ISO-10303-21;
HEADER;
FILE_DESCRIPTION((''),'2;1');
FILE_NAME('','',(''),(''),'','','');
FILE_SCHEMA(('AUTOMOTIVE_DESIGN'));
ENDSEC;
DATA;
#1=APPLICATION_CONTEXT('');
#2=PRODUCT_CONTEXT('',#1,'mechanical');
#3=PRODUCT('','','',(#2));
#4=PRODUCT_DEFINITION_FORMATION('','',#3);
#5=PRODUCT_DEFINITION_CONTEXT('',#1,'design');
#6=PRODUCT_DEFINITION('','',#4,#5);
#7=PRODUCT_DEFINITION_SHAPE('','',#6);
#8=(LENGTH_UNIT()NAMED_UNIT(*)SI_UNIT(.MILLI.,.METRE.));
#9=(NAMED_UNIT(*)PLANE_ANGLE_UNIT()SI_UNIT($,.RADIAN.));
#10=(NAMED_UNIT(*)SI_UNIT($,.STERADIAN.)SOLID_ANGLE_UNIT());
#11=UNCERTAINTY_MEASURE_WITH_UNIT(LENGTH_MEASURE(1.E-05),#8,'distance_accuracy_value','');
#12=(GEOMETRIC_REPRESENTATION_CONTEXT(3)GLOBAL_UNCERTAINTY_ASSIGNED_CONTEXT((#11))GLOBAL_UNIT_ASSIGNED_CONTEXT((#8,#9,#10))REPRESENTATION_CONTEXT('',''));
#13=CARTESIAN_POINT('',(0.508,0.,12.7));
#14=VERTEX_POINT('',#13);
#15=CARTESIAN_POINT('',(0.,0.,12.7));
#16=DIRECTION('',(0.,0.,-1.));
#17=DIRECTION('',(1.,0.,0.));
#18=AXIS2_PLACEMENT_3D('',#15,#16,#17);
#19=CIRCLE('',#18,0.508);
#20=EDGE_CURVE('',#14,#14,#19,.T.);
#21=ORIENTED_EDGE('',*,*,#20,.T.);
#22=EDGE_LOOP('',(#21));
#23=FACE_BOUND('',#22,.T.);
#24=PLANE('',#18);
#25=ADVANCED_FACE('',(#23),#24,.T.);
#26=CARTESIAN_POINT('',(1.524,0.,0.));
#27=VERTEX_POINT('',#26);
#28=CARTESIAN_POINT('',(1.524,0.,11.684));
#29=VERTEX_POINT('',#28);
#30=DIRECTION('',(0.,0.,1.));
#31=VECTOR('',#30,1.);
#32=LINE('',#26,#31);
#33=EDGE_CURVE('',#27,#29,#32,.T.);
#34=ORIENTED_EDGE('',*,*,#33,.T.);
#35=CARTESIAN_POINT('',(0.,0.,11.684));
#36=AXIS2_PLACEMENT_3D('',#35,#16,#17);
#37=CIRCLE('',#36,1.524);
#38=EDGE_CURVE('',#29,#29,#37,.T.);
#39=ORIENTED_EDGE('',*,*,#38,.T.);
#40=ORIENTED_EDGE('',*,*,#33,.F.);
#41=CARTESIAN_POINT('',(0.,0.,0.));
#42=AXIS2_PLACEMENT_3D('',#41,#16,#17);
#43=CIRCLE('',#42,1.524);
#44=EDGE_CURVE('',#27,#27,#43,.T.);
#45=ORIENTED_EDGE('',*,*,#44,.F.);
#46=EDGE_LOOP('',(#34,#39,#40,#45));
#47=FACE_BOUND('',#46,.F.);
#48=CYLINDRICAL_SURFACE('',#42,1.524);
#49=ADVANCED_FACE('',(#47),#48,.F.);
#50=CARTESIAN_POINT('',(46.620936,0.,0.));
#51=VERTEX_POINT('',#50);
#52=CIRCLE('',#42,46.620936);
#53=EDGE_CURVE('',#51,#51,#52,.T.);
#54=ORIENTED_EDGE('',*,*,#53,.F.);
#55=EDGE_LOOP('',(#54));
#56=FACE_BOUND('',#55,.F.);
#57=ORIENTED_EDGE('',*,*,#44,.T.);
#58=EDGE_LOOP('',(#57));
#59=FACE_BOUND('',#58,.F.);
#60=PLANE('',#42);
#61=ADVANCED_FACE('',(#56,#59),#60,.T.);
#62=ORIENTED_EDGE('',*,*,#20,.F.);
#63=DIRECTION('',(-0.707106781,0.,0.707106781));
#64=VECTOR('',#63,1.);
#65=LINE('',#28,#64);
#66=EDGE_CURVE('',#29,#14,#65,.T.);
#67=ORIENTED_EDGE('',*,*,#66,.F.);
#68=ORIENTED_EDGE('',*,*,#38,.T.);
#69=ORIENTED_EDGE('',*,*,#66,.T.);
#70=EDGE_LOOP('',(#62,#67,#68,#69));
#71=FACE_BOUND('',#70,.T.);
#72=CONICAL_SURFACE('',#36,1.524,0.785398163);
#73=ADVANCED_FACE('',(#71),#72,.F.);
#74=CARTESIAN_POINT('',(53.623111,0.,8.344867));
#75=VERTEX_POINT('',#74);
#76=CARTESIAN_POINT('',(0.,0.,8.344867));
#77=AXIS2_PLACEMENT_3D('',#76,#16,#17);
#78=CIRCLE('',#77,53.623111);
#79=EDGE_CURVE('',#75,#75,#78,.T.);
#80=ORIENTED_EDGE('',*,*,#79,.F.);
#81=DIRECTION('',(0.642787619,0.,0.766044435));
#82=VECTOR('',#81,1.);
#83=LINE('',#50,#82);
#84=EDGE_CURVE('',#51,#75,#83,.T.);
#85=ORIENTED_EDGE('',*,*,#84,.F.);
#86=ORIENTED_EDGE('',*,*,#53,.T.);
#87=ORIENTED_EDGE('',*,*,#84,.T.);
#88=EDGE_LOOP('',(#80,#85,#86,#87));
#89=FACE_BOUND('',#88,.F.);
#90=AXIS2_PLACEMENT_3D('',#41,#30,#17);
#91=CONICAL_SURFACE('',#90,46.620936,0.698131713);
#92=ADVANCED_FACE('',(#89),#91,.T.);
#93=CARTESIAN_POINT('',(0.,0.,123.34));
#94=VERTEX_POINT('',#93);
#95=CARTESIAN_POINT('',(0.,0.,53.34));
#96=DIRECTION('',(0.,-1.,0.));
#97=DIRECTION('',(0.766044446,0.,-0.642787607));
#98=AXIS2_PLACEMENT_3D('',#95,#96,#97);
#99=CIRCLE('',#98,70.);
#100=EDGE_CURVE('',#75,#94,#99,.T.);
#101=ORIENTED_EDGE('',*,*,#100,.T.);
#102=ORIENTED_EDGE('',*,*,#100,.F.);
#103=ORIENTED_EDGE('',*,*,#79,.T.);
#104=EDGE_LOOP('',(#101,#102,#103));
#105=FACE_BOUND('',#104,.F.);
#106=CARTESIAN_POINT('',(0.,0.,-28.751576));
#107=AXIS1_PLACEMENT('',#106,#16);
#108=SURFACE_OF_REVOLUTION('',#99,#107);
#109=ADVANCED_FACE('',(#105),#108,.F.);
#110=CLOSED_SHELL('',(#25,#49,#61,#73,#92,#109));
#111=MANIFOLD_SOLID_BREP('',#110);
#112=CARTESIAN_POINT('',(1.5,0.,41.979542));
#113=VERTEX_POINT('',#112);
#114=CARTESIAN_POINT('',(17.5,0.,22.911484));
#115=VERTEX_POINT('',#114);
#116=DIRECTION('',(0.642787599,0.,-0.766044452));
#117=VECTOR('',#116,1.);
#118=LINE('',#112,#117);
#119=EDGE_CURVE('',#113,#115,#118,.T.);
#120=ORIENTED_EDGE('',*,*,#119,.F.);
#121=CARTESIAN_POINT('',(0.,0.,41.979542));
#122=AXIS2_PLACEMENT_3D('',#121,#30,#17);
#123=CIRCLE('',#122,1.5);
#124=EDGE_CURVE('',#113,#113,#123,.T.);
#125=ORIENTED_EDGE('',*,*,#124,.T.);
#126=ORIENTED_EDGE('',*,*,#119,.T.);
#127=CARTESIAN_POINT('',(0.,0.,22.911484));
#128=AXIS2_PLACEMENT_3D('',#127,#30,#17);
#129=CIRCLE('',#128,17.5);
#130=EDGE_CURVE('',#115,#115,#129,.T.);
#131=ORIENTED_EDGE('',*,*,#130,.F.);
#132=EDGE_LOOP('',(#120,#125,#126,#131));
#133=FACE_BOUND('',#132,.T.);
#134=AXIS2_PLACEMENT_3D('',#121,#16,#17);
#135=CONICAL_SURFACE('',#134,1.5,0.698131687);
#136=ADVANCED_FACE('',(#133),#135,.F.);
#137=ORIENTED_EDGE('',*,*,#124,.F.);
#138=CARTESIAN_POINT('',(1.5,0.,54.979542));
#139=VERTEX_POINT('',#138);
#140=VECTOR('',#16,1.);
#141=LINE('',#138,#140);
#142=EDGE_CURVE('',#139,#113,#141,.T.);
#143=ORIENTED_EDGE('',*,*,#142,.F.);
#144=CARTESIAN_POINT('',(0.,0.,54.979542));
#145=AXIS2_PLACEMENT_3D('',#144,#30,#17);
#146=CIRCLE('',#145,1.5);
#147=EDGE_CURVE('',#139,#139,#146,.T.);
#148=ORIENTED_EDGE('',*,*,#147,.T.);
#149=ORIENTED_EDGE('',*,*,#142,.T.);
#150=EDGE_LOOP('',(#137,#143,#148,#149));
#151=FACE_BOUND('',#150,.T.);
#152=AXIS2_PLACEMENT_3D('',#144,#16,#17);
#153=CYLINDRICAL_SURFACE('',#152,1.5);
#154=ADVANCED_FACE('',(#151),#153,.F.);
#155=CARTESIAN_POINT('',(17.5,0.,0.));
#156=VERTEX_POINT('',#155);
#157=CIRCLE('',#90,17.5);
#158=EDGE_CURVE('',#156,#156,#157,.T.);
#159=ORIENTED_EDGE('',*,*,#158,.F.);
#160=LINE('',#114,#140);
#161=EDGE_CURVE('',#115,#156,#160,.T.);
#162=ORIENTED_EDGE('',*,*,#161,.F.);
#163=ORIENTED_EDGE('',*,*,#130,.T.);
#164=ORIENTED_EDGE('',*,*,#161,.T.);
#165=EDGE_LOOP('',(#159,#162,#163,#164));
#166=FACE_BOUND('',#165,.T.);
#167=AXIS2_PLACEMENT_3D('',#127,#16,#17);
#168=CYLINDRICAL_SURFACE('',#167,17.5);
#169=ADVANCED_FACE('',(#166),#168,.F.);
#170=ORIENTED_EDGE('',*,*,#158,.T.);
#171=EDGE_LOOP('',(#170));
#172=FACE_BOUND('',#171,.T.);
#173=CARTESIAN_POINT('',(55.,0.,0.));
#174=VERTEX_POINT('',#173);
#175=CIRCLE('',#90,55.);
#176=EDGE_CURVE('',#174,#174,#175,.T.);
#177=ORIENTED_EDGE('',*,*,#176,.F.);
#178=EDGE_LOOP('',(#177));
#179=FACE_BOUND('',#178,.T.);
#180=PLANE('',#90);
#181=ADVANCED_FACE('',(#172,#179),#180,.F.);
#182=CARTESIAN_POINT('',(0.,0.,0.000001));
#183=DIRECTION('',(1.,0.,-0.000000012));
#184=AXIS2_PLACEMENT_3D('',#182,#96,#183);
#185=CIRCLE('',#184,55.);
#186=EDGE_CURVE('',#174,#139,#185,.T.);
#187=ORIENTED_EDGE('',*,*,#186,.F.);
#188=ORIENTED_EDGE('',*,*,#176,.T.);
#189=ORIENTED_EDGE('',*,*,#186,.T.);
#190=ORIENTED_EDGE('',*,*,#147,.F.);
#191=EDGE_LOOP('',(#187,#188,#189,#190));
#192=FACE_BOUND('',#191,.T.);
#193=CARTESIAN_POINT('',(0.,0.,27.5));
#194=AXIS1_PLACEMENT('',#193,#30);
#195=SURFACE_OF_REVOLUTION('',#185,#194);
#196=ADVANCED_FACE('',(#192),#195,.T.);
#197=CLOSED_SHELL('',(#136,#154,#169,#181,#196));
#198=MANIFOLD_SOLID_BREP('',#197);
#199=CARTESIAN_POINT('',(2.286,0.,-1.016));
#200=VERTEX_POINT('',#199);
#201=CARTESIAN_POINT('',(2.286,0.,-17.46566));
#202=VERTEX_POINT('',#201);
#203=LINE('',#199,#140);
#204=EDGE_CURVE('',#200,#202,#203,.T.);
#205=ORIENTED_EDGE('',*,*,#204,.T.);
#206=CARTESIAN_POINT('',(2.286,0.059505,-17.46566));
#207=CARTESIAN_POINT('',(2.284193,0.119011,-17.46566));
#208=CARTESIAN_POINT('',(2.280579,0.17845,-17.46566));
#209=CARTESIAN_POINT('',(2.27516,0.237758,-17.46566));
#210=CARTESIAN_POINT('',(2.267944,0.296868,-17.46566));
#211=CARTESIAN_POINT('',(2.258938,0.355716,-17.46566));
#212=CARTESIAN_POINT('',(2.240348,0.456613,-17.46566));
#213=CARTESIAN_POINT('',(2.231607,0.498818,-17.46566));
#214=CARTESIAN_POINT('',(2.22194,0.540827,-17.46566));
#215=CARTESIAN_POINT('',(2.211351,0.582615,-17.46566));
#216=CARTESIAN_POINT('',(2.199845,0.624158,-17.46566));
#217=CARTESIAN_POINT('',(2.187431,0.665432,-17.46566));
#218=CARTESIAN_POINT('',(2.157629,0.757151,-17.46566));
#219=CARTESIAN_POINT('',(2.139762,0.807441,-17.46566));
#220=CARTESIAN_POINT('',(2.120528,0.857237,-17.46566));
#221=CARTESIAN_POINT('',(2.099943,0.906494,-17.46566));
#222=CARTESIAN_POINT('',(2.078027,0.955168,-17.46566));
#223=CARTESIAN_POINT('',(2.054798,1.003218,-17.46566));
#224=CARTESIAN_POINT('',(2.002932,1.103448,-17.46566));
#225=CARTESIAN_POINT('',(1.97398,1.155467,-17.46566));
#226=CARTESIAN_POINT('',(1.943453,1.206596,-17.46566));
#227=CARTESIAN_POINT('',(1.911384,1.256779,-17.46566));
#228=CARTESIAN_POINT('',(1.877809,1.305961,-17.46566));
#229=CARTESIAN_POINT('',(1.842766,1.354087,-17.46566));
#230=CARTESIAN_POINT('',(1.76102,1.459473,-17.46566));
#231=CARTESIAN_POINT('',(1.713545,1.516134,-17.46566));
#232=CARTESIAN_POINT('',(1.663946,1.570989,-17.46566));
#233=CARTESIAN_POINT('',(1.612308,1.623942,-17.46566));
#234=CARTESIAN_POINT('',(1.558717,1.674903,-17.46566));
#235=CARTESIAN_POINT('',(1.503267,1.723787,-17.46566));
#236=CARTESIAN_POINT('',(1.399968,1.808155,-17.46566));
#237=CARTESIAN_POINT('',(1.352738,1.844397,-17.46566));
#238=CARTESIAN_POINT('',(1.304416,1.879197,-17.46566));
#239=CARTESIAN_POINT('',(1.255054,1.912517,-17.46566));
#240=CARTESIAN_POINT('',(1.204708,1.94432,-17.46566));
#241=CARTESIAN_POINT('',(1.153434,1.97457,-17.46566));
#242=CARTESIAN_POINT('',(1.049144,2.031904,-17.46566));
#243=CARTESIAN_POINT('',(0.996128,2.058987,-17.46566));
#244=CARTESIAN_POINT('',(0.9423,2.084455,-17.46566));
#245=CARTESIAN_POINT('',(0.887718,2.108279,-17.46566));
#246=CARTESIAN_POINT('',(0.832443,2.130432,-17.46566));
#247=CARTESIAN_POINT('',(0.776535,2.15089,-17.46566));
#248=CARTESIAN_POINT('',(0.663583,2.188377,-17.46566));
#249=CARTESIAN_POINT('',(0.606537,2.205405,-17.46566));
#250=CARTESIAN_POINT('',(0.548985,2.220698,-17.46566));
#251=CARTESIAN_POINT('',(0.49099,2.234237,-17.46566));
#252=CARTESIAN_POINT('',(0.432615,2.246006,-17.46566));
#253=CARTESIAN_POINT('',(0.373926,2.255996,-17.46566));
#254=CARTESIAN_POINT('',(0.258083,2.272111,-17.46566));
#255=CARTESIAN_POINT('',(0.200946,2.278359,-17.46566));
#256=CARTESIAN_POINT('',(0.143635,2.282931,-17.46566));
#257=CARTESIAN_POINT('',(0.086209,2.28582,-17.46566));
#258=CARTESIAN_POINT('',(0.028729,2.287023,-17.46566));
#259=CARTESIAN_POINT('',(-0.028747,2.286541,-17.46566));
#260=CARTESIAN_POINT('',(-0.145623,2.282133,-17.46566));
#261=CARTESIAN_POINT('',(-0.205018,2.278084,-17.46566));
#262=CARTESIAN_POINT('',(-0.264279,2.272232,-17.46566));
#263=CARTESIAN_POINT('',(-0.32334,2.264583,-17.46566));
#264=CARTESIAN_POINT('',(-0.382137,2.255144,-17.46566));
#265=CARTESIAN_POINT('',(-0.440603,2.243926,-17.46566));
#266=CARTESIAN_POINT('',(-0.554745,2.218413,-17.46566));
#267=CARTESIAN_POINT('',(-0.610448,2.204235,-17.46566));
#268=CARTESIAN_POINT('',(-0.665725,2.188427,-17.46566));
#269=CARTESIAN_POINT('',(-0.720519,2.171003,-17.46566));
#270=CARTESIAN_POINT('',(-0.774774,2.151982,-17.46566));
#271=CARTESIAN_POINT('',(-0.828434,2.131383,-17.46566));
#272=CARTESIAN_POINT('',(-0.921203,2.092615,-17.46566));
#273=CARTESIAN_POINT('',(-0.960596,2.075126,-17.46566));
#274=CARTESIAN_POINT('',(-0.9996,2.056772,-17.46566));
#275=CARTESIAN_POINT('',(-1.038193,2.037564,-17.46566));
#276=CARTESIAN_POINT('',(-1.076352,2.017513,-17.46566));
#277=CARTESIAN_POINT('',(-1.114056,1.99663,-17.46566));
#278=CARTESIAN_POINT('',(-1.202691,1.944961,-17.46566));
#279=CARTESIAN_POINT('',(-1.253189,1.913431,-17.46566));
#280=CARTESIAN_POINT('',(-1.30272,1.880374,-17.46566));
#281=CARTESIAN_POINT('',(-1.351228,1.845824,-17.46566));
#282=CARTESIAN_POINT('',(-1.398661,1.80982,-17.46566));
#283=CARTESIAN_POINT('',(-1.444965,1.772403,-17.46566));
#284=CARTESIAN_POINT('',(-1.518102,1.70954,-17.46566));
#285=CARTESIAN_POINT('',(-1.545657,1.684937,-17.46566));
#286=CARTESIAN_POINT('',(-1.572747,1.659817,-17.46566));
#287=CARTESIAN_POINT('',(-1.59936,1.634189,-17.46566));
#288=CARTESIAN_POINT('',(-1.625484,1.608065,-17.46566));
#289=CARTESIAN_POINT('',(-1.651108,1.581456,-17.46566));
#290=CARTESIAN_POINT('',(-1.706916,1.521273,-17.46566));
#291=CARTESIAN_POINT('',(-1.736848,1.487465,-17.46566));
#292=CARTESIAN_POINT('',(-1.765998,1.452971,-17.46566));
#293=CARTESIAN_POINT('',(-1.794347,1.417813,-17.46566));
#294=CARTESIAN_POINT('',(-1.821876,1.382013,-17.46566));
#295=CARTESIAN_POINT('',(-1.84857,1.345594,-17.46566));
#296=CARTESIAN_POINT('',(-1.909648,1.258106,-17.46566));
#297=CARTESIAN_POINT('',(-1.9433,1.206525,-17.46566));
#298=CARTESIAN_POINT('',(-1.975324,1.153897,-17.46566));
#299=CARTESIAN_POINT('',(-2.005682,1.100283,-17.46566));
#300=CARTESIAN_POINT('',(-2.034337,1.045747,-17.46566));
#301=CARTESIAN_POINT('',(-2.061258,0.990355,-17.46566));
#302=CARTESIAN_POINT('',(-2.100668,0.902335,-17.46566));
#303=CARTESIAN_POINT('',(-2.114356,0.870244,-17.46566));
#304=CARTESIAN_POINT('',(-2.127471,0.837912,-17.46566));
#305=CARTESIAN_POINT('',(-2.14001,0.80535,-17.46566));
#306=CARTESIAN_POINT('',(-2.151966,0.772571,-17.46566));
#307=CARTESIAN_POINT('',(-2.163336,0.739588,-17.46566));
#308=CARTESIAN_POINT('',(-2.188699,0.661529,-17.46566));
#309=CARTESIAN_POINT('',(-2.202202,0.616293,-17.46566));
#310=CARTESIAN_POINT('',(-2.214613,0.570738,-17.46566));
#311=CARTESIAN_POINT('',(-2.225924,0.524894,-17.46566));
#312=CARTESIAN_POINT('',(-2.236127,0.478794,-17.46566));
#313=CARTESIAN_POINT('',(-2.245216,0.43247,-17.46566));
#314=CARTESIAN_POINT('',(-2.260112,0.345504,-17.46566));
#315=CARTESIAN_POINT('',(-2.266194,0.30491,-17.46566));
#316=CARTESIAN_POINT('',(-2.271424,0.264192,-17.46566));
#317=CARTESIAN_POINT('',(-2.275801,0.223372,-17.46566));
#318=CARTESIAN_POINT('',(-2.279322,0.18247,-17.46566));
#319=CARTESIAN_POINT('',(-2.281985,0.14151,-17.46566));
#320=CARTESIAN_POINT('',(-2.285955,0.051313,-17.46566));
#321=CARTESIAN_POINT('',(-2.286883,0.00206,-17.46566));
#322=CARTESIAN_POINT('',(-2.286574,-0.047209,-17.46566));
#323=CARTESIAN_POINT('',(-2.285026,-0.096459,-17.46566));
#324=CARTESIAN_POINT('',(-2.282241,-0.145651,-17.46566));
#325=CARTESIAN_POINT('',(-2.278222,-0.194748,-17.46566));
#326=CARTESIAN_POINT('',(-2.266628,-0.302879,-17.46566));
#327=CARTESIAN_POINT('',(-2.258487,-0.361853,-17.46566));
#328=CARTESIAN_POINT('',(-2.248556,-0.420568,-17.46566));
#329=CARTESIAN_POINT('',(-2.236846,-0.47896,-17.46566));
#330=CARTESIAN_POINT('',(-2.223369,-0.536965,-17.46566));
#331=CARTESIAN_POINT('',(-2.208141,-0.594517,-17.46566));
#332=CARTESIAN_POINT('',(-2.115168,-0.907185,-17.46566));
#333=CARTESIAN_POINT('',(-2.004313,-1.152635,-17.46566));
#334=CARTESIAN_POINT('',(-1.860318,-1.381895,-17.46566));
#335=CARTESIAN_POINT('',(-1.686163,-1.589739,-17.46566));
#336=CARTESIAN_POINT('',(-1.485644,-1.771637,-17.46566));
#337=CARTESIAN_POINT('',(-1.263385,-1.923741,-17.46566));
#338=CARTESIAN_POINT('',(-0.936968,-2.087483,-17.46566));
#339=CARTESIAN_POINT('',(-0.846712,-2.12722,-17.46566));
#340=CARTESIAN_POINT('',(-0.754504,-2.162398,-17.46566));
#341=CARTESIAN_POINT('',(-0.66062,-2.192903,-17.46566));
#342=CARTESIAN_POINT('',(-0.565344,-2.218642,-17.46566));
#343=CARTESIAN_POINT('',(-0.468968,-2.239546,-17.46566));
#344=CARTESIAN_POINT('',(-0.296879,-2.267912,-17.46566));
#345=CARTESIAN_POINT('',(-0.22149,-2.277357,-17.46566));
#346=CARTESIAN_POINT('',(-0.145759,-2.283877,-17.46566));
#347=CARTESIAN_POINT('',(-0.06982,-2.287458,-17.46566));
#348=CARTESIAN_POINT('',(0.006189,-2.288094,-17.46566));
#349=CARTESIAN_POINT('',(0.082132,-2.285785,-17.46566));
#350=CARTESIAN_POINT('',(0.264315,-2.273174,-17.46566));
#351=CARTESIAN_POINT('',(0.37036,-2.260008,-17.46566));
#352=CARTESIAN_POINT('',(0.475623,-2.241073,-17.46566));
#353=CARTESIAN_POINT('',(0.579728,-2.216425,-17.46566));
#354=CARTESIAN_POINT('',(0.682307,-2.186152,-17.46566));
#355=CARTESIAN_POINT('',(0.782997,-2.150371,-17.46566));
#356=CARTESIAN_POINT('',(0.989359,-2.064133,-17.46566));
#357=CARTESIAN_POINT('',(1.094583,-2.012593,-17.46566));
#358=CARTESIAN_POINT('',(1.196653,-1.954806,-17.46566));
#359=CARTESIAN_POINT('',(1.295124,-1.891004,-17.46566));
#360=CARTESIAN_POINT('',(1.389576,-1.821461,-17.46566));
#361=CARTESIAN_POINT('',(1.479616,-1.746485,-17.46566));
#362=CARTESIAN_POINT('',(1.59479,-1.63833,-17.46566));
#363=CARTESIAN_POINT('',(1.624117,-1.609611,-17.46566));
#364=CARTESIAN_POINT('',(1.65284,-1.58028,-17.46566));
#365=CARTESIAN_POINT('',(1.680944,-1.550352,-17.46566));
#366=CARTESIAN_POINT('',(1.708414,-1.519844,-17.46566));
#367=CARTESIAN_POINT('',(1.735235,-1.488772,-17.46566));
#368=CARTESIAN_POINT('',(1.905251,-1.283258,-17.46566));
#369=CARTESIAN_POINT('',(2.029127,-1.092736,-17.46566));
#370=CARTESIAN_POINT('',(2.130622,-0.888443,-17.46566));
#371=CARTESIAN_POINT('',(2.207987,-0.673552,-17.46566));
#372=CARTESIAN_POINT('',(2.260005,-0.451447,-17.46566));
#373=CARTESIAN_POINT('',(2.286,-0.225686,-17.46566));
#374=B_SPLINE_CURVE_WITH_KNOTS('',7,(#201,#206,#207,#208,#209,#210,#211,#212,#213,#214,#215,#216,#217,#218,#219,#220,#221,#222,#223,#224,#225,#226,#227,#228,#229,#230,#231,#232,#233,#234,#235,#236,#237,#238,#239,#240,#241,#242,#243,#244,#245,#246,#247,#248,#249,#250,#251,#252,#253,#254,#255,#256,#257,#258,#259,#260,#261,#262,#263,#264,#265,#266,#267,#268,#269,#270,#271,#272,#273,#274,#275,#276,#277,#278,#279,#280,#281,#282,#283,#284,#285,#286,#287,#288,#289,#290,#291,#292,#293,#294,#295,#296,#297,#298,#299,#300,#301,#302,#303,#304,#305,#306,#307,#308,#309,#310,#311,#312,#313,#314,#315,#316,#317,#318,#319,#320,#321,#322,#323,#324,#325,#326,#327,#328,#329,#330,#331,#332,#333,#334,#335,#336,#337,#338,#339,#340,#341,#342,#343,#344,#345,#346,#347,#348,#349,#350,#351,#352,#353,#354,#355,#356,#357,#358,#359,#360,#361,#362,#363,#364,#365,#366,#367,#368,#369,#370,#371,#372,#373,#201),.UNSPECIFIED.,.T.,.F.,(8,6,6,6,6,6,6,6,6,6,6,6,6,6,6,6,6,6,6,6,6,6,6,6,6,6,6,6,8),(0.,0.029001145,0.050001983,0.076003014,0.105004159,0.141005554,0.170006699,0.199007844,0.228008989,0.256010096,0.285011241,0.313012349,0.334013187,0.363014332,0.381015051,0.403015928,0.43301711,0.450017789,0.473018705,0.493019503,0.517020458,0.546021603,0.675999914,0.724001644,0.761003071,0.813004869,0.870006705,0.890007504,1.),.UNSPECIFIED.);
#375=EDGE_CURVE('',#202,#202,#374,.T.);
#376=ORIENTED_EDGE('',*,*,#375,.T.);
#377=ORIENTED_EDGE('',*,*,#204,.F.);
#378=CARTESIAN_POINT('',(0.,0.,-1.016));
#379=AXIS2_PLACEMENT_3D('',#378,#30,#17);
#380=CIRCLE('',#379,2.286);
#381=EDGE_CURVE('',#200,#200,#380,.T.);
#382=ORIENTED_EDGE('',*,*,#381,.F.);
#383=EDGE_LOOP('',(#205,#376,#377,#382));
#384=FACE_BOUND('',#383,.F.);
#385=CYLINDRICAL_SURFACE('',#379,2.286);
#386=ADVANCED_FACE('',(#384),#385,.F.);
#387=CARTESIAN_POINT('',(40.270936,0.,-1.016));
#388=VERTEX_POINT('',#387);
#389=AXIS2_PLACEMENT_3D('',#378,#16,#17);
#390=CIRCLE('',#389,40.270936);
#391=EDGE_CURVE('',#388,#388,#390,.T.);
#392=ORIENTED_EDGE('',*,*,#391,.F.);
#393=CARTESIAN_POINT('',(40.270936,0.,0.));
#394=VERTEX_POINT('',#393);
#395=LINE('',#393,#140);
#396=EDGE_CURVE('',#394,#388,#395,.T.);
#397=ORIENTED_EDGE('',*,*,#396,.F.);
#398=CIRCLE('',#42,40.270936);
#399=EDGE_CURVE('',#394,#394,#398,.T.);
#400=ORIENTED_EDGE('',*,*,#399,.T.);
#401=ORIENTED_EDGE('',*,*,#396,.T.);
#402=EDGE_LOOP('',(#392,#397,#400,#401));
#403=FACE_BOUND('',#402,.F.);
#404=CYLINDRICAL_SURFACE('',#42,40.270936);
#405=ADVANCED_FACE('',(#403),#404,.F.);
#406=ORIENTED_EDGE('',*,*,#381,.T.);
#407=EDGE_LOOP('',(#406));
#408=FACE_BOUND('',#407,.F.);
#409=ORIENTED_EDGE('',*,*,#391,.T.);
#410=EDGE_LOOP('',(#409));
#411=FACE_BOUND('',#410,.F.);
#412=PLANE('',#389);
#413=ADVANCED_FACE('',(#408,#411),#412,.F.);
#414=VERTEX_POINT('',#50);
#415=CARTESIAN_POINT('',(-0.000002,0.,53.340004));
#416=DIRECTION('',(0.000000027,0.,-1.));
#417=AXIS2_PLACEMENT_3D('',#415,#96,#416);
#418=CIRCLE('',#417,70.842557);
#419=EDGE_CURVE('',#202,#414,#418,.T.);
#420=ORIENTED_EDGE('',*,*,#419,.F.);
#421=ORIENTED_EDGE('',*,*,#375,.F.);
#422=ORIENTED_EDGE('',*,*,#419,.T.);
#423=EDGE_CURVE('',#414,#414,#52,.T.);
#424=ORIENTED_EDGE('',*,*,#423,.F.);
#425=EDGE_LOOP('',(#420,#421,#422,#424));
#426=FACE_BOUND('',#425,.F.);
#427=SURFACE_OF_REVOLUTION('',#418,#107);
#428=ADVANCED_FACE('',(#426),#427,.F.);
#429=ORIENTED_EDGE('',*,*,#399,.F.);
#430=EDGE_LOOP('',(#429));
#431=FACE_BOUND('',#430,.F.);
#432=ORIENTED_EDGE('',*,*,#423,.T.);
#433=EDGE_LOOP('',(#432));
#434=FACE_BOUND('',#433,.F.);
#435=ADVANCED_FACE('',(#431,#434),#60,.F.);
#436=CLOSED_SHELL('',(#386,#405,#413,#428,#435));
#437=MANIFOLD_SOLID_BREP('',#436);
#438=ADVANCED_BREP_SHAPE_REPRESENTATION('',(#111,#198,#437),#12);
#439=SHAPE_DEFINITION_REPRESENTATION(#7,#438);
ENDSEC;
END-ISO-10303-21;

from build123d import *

# Parameters (mm, degrees)
F2_R     = 1.524
F3_DEPTH = 12.7
F4_SIZE  = 1.016
F7_R     = 2.286
F8_DEPTH = 25.4


with BuildPart() as f1:
    # F0 (on Front) → F1 (revolve)
    with BuildSketch(Plane.XZ):
        with BuildLine():
            Line((46.620936, 0), (53.623111, 8.344867))
            ThreePointArc((53.623111, 8.344867), (63.441545, 82.923278), (0, 123.34))
            Line((0, 123.34), (0, 0))
            Line((0, 0), (46.620936, 0))
        make_face()
        with BuildLine():
            ThreePointArc((33.158544, 110.452105), (65.415264, 62.402276), (47.435795, 7.392998))
            Line((47.435795, 7.392998), (23.256794, 7.392998))
            ThreePointArc((23.256794, 7.392998), (5.245885, 61.128682), (33.158544, 110.452105))
        make_face(mode=Mode.SUBTRACT)
        with BuildLine():
            Line((23.256794, 7.392998), (47.435795, 7.392998))
            ThreePointArc((47.435795, 7.392998), (65.415264, 62.402276), (33.158544, 110.452105))
            ThreePointArc((33.158544, 110.452105), (5.245885, 61.128682), (23.256794, 7.392998))
        make_face()
    revolve(axis=Axis((0, 0, -28.751576), (0, 0, -1)))

    # F2 (on face) → F3 (cut)
    with BuildSketch(Plane(origin=(0, 0, 0), x_dir=(1, 0, 0), z_dir=(0, 0, -1))):
        Circle(F2_R)
    extrude(amount=-F3_DEPTH, mode=Mode.SUBTRACT)

    # F4
    f4_edges = [f1.edges().sort_by_distance(p)[0] for p in [
        (-1.524, 0, 12.7),
    ]]
    chamfer(f4_edges, length=F4_SIZE)


with BuildPart() as f6:
    # F5 (on Front) → F6 (revolve)
    with BuildSketch(Plane.XZ):
        with BuildLine():
            Line((0, -1.016), (0, -17.502553))
            ThreePointArc((0, -17.502553), (24.899051, -12.98273), (46.620936, 0))
            Line((46.620936, 0), (40.270936, 0))
            Line((40.270936, 0), (40.270936, -1.016))
            Line((40.270936, -1.016), (0, -1.016))
        make_face()
    revolve(axis=Axis((0, 0, -28.751576), (0, 0, -1)))

    # F7 (on face) → F8 (cut)
    with BuildSketch(Plane.XY.offset(-1.016)):
        Circle(F7_R)
    extrude(amount=-F8_DEPTH, mode=Mode.SUBTRACT)


with BuildPart() as f10:
    # F9 (on Front) → F10 (revolve)
    with BuildSketch(Plane.XZ):
        with BuildLine():
            Line((17.5, 0), (55, 0))
            ThreePointArc((55, 0), (39.417636, 38.356877), (1.5, 54.979542))
            Line((1.5, 54.979542), (1.5, 41.979542))
            Line((1.5, 41.979542), (17.5, 22.911484))
            Line((17.5, 22.911484), (17.5, 0))
        make_face()
    revolve(axis=Axis((0, 0, 27.5), (0, 0, 1)))


solid = Compound([f1.part, f6.part, f10.part])
